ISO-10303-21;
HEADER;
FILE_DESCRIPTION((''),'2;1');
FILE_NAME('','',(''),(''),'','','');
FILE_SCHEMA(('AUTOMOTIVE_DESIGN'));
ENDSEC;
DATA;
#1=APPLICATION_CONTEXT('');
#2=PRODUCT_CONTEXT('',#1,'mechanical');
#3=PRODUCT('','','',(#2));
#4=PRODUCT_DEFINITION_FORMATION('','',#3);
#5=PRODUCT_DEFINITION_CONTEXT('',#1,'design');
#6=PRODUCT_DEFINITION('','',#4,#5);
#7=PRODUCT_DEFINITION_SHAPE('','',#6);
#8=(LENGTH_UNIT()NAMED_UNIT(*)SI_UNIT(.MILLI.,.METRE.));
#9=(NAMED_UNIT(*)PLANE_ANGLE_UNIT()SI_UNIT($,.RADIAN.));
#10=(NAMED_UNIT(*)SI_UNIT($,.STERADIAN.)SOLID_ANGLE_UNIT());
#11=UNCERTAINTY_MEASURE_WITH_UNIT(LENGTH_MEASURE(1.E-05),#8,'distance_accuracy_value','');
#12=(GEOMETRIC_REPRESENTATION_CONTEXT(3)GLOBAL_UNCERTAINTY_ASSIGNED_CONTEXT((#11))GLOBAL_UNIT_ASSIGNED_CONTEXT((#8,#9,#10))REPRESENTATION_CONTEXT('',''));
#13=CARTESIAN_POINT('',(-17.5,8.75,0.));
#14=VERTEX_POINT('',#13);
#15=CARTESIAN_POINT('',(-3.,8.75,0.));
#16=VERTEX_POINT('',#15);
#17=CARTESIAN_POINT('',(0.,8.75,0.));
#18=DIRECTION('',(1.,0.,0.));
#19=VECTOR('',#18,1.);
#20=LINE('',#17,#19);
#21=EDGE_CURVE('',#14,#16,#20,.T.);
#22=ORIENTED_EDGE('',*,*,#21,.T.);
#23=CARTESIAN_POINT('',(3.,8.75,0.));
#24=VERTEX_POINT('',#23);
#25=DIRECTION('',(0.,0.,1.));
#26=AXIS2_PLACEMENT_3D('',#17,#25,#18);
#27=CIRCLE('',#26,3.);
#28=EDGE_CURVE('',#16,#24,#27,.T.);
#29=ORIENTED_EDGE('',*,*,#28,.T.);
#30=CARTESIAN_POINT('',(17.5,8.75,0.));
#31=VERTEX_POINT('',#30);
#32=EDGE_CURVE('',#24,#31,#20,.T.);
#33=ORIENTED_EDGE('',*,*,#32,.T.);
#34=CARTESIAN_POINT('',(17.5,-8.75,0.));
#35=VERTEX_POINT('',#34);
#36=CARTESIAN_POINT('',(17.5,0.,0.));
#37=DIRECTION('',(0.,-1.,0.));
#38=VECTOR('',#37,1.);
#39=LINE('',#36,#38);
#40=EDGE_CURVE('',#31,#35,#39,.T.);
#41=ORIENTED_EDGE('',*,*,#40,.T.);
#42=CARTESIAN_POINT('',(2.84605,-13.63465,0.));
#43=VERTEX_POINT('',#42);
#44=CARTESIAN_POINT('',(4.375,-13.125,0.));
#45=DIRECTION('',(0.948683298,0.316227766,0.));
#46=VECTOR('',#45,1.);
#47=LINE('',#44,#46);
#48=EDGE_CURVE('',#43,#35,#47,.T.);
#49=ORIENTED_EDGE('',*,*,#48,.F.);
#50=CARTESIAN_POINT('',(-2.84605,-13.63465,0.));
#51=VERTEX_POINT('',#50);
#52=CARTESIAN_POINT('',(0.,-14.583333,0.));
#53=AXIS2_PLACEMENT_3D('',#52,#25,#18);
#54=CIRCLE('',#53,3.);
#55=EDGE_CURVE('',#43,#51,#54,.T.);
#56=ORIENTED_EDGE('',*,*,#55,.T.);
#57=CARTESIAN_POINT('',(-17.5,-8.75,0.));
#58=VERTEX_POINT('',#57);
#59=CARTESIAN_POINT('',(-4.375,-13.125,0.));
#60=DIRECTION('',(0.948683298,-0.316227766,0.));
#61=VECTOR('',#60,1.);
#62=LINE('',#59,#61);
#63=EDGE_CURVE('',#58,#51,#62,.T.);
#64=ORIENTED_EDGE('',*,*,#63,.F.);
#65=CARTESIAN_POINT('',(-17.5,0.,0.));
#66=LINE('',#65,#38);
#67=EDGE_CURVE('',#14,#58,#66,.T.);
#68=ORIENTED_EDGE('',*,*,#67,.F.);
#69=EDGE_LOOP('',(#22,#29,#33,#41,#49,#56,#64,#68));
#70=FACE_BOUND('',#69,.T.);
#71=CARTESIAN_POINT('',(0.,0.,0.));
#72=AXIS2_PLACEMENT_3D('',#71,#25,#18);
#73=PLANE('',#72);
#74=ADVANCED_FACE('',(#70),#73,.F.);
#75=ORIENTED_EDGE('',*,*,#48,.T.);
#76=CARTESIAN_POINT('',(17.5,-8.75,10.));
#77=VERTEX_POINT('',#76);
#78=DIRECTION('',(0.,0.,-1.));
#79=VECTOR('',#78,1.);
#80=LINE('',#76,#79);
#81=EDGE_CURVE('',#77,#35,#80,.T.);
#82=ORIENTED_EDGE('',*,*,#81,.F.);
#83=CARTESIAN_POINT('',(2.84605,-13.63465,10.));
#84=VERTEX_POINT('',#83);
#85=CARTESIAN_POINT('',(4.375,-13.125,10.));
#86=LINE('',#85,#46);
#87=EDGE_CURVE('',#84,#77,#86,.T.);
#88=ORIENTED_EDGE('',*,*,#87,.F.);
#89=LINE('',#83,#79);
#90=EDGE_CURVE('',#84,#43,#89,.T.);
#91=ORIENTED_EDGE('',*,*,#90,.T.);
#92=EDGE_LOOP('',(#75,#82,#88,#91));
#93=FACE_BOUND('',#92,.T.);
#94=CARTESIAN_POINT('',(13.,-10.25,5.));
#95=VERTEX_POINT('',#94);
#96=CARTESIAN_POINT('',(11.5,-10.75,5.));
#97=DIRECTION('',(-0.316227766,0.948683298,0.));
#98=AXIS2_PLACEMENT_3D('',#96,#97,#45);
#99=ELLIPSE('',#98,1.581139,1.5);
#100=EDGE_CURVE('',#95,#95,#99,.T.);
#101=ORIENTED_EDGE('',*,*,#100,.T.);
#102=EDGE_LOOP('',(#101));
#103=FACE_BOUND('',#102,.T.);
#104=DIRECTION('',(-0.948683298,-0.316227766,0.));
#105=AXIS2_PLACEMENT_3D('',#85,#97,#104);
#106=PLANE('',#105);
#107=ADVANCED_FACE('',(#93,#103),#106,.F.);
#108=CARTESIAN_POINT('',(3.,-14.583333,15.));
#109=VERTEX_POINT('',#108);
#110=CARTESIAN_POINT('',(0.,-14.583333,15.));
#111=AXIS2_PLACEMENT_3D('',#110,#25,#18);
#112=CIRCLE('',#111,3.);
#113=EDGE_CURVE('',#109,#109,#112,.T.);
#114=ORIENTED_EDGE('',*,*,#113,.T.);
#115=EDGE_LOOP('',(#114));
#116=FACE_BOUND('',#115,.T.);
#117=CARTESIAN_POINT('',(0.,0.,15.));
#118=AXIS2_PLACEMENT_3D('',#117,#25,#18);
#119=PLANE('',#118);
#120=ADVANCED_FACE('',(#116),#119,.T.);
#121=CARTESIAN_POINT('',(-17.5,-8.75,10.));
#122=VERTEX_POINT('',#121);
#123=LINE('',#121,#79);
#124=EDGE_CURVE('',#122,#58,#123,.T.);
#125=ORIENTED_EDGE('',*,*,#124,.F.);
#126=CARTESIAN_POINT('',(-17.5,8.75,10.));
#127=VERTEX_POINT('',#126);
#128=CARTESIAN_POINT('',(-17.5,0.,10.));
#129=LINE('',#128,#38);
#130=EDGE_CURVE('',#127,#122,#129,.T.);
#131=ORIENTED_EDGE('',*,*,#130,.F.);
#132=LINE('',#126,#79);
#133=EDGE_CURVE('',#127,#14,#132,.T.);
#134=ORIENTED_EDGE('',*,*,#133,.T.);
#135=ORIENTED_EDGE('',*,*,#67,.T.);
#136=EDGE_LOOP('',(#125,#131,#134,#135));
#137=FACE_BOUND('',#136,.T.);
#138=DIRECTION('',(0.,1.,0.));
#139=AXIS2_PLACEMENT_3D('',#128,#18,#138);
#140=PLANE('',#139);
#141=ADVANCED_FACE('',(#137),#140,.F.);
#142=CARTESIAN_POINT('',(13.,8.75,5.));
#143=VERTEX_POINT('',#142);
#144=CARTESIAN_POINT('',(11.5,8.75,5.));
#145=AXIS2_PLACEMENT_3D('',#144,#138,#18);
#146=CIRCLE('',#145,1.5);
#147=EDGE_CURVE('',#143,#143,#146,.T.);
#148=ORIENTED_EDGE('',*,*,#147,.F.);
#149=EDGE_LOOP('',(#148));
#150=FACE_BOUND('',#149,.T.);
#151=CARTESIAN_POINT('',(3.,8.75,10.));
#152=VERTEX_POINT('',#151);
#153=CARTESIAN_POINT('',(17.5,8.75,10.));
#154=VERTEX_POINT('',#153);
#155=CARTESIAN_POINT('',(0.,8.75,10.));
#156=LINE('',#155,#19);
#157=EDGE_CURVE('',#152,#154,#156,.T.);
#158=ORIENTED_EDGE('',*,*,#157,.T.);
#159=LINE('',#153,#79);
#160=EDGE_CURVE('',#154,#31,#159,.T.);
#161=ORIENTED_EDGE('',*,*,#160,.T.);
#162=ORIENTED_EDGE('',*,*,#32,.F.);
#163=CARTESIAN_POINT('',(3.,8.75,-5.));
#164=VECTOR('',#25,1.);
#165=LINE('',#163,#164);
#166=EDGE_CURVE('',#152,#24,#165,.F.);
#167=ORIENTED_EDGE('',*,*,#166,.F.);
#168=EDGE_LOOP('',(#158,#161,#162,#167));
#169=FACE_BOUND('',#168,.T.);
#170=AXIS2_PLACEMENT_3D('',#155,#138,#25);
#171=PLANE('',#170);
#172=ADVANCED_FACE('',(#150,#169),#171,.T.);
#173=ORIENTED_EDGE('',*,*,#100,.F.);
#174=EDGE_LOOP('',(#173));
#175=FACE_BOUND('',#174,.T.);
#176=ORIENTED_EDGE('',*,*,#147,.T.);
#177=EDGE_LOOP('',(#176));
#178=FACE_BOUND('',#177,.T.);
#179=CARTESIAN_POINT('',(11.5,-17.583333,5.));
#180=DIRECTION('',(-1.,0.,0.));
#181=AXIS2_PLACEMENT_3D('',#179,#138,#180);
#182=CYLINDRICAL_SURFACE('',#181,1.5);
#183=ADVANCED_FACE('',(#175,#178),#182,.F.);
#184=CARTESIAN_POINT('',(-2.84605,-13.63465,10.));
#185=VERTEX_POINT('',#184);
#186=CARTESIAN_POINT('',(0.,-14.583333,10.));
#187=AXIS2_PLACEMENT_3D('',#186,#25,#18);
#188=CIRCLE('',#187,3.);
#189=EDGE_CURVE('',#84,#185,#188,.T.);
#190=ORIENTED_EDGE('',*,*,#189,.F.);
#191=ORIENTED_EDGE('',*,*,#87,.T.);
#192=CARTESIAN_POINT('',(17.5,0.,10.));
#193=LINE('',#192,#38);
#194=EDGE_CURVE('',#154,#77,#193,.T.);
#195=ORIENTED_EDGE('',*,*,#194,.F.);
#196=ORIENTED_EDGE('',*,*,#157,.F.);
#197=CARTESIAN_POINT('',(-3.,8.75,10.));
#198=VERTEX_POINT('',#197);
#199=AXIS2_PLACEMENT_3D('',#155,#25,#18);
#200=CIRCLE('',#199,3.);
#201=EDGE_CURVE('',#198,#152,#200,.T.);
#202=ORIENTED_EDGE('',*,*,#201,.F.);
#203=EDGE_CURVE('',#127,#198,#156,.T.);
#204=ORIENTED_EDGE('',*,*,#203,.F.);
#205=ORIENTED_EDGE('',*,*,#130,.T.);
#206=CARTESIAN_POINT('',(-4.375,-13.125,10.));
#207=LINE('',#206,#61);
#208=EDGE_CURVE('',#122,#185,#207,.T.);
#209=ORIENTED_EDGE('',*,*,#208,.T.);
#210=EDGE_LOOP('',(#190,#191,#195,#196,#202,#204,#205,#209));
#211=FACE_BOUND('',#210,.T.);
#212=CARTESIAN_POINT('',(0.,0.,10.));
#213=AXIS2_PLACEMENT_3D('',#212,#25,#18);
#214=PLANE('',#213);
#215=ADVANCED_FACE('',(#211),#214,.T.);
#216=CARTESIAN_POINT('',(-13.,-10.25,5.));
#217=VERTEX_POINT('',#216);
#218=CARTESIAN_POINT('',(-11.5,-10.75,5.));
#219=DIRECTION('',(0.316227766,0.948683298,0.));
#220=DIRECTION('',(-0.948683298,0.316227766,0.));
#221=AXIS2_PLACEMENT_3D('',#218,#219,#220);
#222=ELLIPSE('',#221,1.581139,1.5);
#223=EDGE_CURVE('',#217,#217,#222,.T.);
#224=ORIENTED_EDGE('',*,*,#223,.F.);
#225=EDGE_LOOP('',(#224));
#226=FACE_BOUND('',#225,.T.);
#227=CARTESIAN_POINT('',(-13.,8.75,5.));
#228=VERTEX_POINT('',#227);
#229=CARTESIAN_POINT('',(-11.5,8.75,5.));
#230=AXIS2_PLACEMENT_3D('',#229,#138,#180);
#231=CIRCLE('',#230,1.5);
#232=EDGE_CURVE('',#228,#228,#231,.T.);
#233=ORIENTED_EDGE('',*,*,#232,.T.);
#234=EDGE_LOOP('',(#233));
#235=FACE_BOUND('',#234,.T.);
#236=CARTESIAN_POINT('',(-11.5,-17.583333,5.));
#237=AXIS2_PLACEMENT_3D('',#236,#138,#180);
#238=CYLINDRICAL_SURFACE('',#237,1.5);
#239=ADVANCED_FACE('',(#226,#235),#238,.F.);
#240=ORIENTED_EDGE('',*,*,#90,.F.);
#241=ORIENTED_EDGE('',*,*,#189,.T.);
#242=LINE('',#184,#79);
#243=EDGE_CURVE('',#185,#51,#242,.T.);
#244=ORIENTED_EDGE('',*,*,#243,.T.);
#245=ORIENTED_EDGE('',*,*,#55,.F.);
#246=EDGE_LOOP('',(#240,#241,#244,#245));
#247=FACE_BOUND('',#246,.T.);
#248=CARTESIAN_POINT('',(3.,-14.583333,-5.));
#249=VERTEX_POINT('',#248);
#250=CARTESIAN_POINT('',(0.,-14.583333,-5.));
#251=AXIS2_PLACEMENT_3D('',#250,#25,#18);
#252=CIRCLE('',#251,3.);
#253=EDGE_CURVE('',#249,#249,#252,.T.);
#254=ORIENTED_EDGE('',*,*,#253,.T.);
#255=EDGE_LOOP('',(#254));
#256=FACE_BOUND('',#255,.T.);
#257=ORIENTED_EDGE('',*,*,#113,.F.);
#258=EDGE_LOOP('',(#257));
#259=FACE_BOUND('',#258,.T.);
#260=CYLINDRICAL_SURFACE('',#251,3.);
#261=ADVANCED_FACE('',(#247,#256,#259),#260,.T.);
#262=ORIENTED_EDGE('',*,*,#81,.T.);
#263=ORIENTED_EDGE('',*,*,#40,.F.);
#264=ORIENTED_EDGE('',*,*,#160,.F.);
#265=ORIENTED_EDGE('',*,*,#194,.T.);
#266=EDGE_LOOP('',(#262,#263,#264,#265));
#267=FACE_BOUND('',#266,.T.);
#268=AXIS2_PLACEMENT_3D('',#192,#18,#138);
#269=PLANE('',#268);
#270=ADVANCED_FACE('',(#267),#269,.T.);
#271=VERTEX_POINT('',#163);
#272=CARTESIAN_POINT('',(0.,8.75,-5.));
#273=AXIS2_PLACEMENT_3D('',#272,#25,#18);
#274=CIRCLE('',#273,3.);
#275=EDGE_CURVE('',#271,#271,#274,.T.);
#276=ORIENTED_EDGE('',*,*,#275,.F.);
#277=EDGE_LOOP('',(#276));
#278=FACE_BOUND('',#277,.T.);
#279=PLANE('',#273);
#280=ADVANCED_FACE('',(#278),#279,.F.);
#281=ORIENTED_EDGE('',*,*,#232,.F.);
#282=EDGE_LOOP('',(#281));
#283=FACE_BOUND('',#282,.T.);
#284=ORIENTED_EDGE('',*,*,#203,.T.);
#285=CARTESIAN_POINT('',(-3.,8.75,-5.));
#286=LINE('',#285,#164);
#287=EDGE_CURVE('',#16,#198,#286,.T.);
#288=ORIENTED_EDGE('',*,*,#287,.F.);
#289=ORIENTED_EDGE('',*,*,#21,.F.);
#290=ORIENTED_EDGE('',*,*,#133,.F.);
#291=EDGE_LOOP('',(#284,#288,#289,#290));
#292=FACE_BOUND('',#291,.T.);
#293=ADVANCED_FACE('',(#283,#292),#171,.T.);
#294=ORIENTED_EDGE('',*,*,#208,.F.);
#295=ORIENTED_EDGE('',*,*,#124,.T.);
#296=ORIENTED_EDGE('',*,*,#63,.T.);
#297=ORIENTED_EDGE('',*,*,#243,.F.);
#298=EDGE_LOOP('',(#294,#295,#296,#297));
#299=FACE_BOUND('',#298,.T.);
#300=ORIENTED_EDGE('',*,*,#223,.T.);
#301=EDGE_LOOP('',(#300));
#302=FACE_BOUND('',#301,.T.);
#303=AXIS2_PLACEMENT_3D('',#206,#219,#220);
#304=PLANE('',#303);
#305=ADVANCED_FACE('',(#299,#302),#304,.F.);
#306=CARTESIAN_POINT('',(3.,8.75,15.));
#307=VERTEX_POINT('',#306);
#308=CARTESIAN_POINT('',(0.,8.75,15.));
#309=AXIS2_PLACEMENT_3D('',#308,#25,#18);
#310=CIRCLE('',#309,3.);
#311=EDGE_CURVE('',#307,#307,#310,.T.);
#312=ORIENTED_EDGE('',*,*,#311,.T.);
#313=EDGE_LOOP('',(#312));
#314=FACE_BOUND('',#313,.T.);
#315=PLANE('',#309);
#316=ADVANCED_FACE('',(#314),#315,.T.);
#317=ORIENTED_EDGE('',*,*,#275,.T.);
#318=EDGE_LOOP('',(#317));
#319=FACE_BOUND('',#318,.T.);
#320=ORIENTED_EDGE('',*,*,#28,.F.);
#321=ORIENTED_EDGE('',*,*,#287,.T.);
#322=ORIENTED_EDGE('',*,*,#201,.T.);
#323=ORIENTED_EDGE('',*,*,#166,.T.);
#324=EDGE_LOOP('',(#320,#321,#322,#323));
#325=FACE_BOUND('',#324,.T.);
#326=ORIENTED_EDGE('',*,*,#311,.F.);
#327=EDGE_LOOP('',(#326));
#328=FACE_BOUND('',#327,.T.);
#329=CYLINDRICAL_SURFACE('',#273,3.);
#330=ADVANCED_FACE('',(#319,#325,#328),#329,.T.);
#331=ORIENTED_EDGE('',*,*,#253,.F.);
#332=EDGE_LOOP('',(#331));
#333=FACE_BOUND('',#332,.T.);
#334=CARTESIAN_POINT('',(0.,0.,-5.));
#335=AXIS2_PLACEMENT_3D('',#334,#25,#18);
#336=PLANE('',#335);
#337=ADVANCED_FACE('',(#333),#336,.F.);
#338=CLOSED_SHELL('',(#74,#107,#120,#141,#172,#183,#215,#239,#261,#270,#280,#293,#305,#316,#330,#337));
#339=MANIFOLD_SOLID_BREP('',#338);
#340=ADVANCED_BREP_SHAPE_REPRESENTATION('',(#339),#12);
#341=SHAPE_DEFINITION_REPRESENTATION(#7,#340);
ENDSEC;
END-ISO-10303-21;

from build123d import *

# Parameters (mm, degrees)
BOSS_EXTRUDE1_DEPTH      = 10
BOSS_EXTRUDE2_DEPTH      = 15
BOSS_EXTRUDE2_DEPTH_BACK = 5
SKETCH2_R                = 1.5
CUT_EXTRUDE1_DEPTH       = 35.995634648
BOSS_EXTRUDE3_DEPTH      = 5
BOSS_EXTRUDE3_DEPTH_BACK = 15
SKETCH3_R                = 3


with BuildPart() as part:
    # Sketch1 → Boss-Extrude1 (new body)
    with BuildSketch(Plane.XY):
        with BuildLine():
            Line((-17.5, 8.75), (-17.5, -8.75))
            Line((-17.5, -8.75), (-2.846049894, -13.634650035))
            ThreePointArc((-2.846049894, -13.634650035), (0, -11.583333333), (2.846049894, -13.634650035))
            Line((2.846049894, -13.634650035), (17.5, -8.75))
            Line((17.5, -8.75), (17.5, 8.75))
            Line((17.5, 8.75), (-17.5, 8.75))
        make_face()
    extrude(amount=BOSS_EXTRUDE1_DEPTH)

    # Sketch1<3> → Boss-Extrude2 (add, two sides: drawn at the far end of the back side and taken through both)
    with BuildSketch(Plane.XY.offset(-BOSS_EXTRUDE2_DEPTH_BACK)):
        with BuildLine():
            ThreePointArc((2.846049894, -13.634650035), (0, -11.583333333), (-2.846049894, -13.634650035))
            ThreePointArc((-2.846049894, -13.634650035), (-0.480546729, -17.544595706), (3, -14.583333333))
            ThreePointArc((3, -14.583333333), (2.961262373, -14.102786604), (2.846049894, -13.634650035))
        make_face()
    extrude(amount=BOSS_EXTRUDE2_DEPTH + BOSS_EXTRUDE2_DEPTH_BACK)

    # Sketch2 → Cut-Extrude1 (cut, through all)
    with BuildSketch(Plane(origin=(0, 8.75, 0), x_dir=(1, 0, 0), z_dir=(0, 1, 0))):
        with Locations((-11.5, -5)):
            Circle(SKETCH2_R)
        with Locations((11.5, -5)):
            Circle(SKETCH2_R)
    extrude(amount=-CUT_EXTRUDE1_DEPTH, mode=Mode.SUBTRACT)

    # Sketch3 → Boss-Extrude3 (add, two sides: drawn at the far end of the back side and taken through both)
    with BuildSketch(Plane.XY.offset(10).offset(-BOSS_EXTRUDE3_DEPTH_BACK)):
        with Locations((0, 8.75)):
            Circle(SKETCH3_R)
    extrude(amount=BOSS_EXTRUDE3_DEPTH + BOSS_EXTRUDE3_DEPTH_BACK)


solid = part.part
